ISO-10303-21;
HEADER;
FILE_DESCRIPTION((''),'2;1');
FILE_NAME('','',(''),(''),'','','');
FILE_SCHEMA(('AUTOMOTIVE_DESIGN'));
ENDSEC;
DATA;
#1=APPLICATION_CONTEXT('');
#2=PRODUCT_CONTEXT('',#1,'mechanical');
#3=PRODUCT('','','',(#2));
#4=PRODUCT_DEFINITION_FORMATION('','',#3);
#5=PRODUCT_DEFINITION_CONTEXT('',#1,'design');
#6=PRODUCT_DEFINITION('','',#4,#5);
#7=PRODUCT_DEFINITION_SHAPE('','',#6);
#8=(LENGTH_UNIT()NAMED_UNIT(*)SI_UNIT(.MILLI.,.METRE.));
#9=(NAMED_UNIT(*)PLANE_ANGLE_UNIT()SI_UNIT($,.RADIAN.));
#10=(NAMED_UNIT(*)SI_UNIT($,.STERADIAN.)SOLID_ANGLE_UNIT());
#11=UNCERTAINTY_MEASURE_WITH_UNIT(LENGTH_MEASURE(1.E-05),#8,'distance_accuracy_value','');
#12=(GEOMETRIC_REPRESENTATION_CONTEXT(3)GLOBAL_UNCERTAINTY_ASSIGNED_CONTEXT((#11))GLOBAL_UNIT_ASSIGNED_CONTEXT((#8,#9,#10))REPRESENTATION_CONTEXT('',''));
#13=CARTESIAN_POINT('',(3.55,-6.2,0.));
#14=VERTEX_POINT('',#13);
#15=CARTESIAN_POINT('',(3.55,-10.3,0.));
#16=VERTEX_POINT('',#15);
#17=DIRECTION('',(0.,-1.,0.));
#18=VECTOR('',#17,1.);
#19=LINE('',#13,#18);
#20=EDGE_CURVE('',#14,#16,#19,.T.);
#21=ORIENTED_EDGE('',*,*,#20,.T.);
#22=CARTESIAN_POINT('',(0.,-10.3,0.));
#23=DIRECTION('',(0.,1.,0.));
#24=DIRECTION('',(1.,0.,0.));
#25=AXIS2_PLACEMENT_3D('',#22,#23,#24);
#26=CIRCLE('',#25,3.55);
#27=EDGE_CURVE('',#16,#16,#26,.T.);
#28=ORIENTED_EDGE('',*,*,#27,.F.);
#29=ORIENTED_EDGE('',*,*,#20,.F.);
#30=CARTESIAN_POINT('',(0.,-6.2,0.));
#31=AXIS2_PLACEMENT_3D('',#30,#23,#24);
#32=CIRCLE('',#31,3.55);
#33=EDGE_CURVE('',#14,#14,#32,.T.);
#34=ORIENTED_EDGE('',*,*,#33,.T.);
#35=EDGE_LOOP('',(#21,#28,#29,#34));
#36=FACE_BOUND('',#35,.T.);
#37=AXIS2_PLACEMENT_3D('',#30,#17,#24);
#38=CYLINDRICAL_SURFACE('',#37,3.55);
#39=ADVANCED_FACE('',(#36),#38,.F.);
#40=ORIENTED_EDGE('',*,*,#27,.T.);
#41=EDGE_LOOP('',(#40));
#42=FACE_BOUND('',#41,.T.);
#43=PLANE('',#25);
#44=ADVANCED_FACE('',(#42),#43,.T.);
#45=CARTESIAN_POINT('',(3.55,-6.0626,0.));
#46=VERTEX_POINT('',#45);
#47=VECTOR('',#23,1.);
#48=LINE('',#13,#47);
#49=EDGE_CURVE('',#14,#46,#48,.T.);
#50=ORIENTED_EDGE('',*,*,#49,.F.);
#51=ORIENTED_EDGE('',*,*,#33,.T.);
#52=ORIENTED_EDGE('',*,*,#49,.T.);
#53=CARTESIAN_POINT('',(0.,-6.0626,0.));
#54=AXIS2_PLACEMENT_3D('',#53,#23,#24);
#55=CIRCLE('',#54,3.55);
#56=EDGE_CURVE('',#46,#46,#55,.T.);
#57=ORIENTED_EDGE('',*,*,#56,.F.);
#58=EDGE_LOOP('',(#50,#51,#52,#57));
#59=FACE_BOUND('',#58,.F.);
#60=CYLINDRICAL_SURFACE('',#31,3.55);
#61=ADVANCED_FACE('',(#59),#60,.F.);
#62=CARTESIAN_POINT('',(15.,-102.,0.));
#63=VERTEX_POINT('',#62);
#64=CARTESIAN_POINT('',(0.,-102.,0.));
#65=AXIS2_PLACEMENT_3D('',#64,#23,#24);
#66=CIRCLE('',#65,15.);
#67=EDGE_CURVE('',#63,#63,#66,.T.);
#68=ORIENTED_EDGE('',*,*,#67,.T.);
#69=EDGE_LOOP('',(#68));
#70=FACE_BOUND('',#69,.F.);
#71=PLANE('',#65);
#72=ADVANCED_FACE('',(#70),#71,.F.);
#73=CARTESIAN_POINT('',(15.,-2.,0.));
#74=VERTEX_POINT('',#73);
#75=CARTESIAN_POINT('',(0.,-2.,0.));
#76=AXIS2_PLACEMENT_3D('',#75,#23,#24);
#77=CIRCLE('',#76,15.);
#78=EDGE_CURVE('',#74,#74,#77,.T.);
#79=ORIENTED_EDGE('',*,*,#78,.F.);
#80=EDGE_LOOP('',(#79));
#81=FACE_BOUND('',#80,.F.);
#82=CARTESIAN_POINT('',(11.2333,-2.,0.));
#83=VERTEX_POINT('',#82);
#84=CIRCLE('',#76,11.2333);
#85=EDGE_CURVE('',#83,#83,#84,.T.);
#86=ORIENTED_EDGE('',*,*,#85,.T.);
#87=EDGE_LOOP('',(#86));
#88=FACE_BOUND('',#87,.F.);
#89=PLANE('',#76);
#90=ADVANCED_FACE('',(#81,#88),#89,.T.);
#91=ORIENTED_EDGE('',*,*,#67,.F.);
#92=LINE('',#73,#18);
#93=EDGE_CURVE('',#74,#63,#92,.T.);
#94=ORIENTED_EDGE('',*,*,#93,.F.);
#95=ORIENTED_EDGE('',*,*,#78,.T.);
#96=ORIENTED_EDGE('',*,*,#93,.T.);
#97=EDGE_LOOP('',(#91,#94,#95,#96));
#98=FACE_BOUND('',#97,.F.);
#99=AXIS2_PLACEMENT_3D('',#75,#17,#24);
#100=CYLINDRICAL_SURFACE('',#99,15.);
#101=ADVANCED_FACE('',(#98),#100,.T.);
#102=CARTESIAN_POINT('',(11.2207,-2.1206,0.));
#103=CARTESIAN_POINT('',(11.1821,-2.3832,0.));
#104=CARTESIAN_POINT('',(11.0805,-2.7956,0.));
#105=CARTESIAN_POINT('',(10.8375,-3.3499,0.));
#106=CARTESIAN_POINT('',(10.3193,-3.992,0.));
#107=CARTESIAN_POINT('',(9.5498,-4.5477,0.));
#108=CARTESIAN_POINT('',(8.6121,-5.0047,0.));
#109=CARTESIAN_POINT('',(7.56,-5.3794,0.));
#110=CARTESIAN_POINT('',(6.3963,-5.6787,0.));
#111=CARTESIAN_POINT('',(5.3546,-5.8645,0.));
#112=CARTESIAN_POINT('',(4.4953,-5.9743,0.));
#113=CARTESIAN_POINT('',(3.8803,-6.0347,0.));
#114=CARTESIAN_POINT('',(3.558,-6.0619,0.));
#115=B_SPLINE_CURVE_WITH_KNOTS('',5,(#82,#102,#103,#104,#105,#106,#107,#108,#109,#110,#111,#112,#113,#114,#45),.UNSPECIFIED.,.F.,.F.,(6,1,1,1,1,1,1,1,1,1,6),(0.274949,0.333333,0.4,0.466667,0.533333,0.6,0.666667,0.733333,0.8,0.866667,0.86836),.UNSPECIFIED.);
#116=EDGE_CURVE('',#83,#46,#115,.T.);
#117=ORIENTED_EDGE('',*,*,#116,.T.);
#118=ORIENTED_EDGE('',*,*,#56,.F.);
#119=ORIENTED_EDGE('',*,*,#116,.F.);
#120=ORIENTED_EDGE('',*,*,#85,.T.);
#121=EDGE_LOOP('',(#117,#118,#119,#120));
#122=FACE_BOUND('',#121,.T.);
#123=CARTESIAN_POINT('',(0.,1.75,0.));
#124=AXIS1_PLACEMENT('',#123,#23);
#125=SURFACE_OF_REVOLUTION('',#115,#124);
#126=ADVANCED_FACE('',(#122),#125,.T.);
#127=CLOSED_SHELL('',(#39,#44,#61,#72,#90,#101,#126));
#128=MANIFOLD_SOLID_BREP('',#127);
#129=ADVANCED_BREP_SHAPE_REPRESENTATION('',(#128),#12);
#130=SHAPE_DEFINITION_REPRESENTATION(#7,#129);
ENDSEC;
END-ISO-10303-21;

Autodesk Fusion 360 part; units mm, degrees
sketch "Sketch1" plane through (0, 0, 0) normal (0, 0, 1) x (1, 0, 0)
  line L0 (11.2333, -2) -> (15, -2)
  line L1 (15, -2) -> (15, -102)
  line L2 (15, -102) -> (0, -102)
  line L3 (0, -102) -> (0, -10.3)
  line L4 (3.55, -6.2) -> (3.55, -10.3)
  line L5 (3.55, -10.3) -> (0, -10.3)
  line L6 (3.55, -6.2) -> (3.55, -6.0626)
  spline S0 degree 5 poles (0.0005, -6.2) (0.0004, -6.2) (0.0003, -6.2) (0.0002, -6.2) (0.0001, -6.2) (0, -6.2) knots 0.999983 0.999983 0.999983 0.999983 0.999983 0.999983 1 1 1 1 1 1
  spline S1 degree 5 poles (11.2333, -2) (11.2207, -2.1206) (11.1821, -2.3832) (11.0805, -2.7956) (10.8375, -3.3499) (10.3193, -3.992) (9.5498, -4.5477) (8.6121, -5.0047) (7.56, -5.3794) (6.3963, -5.6787) (5.3546, -5.8645) (4.4953, -5.9743) (3.8803, -6.0347) (3.558, -6.0619) (3.55, -6.0626) knots 0.274949 0.274949 0.274949 0.274949 0.274949 0.274949 0.333333 0.4 0.466667 0.533333 0.6 0.666667 0.733333 0.8 0.866667 0.86836 0.86836 0.86836 0.86836 0.86836 0.86836
  dimension "d4" = 3.55
  dimension "d5" = 4.1
revolve "Revolve1" add sketch "Sketch1" angle 360 about axis through (0, 1.75, 0) along (0, 1, 0)
